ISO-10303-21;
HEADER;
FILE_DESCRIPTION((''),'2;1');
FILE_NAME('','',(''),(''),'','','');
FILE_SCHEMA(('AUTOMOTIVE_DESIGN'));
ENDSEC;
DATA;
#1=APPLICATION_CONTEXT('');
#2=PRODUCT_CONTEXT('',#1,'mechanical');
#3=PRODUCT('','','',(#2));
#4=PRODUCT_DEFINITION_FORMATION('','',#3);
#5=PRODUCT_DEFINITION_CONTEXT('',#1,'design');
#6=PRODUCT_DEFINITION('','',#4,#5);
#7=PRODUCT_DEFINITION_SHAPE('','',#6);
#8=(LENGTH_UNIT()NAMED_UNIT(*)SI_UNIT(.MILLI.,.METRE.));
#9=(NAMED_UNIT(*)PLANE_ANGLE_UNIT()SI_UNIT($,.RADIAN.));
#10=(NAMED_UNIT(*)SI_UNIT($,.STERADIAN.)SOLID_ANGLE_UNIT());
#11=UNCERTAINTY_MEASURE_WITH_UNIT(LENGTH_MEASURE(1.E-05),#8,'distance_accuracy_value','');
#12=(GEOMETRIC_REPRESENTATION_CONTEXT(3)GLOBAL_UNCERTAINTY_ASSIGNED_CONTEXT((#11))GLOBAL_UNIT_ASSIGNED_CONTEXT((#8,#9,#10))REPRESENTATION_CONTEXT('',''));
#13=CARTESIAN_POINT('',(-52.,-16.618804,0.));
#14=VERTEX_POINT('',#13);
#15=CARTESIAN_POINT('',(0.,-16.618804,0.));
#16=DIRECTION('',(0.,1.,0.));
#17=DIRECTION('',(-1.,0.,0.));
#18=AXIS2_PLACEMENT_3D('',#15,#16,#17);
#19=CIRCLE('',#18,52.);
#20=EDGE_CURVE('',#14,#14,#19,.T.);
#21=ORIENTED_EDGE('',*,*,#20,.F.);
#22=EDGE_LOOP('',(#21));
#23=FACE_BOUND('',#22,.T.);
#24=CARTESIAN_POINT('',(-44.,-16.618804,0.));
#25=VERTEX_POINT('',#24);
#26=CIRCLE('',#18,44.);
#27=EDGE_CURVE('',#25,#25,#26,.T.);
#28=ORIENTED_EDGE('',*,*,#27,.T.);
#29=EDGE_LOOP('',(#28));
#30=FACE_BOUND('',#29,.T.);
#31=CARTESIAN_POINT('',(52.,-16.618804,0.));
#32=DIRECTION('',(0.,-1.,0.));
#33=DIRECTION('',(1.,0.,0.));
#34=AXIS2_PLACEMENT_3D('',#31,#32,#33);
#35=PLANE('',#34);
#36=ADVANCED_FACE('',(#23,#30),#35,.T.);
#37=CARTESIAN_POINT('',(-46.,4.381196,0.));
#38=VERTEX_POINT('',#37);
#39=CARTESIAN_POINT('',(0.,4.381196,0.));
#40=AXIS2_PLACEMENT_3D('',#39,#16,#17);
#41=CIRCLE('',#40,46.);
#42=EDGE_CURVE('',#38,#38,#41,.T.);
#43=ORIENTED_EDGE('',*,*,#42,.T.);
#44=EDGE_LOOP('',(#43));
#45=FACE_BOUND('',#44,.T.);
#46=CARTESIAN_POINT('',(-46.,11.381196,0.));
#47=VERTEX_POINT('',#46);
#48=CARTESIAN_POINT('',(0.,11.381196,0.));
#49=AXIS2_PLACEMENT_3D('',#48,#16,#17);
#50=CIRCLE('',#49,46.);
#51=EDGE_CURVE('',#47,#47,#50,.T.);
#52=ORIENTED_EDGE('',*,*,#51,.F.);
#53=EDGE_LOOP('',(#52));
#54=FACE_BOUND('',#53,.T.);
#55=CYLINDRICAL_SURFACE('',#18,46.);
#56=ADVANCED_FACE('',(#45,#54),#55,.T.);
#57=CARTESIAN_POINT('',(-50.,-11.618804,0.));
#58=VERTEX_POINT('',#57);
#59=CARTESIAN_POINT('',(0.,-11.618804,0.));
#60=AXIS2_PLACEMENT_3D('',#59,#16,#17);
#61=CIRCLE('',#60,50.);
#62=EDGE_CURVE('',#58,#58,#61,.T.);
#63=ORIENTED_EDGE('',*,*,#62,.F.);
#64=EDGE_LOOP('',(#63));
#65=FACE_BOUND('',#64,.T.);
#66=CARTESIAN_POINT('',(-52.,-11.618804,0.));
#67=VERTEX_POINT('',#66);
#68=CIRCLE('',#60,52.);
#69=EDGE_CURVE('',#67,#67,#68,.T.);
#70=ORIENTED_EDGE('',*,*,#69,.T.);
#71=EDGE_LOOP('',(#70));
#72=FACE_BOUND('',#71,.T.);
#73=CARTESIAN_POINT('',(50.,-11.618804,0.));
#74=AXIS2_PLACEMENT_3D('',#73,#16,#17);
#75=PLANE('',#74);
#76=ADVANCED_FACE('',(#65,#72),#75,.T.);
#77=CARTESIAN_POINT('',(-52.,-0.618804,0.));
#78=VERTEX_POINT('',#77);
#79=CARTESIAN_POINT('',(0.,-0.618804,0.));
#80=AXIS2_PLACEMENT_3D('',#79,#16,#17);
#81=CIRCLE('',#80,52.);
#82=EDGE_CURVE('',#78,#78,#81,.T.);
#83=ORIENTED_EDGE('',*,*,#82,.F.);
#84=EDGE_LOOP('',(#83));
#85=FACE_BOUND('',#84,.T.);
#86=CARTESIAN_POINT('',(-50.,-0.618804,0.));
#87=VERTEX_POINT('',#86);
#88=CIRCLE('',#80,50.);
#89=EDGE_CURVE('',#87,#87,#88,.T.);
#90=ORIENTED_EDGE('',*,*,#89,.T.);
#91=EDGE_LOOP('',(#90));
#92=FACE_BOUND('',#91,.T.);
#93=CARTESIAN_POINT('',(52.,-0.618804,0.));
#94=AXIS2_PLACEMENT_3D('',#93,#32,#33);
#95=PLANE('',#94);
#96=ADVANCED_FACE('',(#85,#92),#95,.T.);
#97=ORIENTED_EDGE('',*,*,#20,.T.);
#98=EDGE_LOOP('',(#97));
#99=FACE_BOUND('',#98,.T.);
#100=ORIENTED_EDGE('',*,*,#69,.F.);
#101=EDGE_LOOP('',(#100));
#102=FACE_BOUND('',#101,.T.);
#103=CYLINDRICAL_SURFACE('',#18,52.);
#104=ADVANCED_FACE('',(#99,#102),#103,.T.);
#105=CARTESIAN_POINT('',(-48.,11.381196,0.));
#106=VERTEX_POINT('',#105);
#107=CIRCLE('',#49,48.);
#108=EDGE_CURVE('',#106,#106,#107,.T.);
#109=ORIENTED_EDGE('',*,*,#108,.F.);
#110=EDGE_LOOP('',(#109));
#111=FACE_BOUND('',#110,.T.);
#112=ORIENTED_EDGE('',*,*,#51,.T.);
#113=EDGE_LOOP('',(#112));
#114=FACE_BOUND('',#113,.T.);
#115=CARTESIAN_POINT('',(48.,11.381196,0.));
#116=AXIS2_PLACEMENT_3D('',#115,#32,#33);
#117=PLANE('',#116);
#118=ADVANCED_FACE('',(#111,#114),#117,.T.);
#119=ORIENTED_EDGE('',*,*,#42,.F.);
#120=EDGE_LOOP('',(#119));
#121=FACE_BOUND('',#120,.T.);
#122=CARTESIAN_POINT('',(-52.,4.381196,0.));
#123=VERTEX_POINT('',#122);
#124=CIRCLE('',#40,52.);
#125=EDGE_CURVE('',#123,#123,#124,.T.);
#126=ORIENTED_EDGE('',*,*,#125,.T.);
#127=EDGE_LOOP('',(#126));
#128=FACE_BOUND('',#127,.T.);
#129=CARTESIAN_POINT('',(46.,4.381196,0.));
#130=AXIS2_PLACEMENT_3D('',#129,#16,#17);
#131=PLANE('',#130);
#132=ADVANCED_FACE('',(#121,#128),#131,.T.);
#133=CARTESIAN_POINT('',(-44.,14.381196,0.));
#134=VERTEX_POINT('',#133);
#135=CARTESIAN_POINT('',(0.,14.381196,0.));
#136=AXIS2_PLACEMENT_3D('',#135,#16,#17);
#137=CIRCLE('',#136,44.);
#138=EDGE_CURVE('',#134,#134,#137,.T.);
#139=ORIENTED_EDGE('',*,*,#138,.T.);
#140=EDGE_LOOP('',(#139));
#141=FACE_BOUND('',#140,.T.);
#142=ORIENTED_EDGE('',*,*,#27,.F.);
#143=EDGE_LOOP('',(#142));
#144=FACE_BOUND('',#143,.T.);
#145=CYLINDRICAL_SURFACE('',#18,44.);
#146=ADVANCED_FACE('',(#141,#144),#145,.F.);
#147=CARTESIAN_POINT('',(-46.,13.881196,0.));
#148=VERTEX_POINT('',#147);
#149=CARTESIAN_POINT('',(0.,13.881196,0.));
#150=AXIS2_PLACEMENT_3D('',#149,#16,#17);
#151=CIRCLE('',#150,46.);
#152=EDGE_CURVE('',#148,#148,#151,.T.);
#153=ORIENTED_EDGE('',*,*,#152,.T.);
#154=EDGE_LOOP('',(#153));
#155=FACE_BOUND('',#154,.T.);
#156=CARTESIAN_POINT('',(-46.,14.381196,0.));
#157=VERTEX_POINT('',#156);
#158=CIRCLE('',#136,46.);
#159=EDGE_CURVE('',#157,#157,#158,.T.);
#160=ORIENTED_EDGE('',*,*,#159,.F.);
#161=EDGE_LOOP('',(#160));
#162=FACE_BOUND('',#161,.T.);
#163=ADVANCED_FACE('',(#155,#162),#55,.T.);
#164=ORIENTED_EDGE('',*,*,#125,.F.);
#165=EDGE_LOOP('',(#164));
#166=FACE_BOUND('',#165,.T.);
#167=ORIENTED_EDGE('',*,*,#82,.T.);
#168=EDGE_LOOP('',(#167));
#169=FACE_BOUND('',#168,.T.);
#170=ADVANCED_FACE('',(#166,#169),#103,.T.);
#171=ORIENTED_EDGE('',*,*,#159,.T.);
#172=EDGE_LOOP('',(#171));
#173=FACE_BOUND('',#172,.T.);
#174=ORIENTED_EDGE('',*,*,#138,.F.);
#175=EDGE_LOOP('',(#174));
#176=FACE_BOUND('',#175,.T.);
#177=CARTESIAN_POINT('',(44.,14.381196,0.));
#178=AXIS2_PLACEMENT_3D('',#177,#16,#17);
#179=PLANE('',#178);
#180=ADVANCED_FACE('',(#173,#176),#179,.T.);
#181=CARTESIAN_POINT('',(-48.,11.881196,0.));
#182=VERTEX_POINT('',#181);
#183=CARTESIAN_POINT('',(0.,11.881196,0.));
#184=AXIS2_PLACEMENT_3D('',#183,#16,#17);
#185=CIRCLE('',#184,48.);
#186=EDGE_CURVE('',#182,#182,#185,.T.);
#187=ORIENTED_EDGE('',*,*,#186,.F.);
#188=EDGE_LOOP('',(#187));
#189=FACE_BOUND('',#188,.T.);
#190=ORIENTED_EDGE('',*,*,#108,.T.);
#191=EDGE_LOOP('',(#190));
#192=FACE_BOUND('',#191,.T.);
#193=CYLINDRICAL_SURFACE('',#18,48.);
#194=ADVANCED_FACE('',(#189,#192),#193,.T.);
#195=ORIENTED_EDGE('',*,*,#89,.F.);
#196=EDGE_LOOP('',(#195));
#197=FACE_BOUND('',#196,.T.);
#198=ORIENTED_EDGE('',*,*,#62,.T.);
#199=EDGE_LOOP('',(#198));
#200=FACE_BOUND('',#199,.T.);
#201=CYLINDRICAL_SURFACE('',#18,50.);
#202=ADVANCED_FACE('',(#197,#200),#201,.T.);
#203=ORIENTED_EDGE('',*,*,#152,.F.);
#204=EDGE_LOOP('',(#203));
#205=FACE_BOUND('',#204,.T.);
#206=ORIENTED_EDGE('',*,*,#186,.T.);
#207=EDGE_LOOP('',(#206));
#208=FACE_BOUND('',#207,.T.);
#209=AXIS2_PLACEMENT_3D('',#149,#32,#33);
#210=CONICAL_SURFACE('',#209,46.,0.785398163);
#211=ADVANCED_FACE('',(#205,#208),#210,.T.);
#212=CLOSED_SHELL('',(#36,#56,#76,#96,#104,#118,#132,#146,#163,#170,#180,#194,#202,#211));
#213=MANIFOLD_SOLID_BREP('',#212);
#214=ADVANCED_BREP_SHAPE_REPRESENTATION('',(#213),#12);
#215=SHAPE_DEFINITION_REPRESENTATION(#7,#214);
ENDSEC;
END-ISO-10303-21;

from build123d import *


with BuildPart() as part:
    # Sketch1 → Revolve1 (revolve)
    with BuildSketch(Plane(origin=(0, 0, 0), x_dir=(-1, 0, 0), z_dir=(0, 0, -1)), mode=Mode.PRIVATE) as revolve1_sk:
        Polygon((-46, 11.381196481), (-46, 4.381196481), (-52, 4.381196481), (-52, -0.618803519), (-50, -0.618803519), (-50, -11.618803519), (-52, -11.618803519), (-52, -16.618803519), (-44, -16.618803519), (-44, 14.381196481), (-46, 14.381196481), (-46, 13.881196481), (-48, 11.881196481), (-48, 11.381196481), align=None)
    revolve(revolve1_sk.sketch.rotate(Axis((0, -16.618803519, 0), (0, 1, 0)), 180), axis=Axis((0, -16.618803519, 0), (0, 1, 0)))


solid = part.part
